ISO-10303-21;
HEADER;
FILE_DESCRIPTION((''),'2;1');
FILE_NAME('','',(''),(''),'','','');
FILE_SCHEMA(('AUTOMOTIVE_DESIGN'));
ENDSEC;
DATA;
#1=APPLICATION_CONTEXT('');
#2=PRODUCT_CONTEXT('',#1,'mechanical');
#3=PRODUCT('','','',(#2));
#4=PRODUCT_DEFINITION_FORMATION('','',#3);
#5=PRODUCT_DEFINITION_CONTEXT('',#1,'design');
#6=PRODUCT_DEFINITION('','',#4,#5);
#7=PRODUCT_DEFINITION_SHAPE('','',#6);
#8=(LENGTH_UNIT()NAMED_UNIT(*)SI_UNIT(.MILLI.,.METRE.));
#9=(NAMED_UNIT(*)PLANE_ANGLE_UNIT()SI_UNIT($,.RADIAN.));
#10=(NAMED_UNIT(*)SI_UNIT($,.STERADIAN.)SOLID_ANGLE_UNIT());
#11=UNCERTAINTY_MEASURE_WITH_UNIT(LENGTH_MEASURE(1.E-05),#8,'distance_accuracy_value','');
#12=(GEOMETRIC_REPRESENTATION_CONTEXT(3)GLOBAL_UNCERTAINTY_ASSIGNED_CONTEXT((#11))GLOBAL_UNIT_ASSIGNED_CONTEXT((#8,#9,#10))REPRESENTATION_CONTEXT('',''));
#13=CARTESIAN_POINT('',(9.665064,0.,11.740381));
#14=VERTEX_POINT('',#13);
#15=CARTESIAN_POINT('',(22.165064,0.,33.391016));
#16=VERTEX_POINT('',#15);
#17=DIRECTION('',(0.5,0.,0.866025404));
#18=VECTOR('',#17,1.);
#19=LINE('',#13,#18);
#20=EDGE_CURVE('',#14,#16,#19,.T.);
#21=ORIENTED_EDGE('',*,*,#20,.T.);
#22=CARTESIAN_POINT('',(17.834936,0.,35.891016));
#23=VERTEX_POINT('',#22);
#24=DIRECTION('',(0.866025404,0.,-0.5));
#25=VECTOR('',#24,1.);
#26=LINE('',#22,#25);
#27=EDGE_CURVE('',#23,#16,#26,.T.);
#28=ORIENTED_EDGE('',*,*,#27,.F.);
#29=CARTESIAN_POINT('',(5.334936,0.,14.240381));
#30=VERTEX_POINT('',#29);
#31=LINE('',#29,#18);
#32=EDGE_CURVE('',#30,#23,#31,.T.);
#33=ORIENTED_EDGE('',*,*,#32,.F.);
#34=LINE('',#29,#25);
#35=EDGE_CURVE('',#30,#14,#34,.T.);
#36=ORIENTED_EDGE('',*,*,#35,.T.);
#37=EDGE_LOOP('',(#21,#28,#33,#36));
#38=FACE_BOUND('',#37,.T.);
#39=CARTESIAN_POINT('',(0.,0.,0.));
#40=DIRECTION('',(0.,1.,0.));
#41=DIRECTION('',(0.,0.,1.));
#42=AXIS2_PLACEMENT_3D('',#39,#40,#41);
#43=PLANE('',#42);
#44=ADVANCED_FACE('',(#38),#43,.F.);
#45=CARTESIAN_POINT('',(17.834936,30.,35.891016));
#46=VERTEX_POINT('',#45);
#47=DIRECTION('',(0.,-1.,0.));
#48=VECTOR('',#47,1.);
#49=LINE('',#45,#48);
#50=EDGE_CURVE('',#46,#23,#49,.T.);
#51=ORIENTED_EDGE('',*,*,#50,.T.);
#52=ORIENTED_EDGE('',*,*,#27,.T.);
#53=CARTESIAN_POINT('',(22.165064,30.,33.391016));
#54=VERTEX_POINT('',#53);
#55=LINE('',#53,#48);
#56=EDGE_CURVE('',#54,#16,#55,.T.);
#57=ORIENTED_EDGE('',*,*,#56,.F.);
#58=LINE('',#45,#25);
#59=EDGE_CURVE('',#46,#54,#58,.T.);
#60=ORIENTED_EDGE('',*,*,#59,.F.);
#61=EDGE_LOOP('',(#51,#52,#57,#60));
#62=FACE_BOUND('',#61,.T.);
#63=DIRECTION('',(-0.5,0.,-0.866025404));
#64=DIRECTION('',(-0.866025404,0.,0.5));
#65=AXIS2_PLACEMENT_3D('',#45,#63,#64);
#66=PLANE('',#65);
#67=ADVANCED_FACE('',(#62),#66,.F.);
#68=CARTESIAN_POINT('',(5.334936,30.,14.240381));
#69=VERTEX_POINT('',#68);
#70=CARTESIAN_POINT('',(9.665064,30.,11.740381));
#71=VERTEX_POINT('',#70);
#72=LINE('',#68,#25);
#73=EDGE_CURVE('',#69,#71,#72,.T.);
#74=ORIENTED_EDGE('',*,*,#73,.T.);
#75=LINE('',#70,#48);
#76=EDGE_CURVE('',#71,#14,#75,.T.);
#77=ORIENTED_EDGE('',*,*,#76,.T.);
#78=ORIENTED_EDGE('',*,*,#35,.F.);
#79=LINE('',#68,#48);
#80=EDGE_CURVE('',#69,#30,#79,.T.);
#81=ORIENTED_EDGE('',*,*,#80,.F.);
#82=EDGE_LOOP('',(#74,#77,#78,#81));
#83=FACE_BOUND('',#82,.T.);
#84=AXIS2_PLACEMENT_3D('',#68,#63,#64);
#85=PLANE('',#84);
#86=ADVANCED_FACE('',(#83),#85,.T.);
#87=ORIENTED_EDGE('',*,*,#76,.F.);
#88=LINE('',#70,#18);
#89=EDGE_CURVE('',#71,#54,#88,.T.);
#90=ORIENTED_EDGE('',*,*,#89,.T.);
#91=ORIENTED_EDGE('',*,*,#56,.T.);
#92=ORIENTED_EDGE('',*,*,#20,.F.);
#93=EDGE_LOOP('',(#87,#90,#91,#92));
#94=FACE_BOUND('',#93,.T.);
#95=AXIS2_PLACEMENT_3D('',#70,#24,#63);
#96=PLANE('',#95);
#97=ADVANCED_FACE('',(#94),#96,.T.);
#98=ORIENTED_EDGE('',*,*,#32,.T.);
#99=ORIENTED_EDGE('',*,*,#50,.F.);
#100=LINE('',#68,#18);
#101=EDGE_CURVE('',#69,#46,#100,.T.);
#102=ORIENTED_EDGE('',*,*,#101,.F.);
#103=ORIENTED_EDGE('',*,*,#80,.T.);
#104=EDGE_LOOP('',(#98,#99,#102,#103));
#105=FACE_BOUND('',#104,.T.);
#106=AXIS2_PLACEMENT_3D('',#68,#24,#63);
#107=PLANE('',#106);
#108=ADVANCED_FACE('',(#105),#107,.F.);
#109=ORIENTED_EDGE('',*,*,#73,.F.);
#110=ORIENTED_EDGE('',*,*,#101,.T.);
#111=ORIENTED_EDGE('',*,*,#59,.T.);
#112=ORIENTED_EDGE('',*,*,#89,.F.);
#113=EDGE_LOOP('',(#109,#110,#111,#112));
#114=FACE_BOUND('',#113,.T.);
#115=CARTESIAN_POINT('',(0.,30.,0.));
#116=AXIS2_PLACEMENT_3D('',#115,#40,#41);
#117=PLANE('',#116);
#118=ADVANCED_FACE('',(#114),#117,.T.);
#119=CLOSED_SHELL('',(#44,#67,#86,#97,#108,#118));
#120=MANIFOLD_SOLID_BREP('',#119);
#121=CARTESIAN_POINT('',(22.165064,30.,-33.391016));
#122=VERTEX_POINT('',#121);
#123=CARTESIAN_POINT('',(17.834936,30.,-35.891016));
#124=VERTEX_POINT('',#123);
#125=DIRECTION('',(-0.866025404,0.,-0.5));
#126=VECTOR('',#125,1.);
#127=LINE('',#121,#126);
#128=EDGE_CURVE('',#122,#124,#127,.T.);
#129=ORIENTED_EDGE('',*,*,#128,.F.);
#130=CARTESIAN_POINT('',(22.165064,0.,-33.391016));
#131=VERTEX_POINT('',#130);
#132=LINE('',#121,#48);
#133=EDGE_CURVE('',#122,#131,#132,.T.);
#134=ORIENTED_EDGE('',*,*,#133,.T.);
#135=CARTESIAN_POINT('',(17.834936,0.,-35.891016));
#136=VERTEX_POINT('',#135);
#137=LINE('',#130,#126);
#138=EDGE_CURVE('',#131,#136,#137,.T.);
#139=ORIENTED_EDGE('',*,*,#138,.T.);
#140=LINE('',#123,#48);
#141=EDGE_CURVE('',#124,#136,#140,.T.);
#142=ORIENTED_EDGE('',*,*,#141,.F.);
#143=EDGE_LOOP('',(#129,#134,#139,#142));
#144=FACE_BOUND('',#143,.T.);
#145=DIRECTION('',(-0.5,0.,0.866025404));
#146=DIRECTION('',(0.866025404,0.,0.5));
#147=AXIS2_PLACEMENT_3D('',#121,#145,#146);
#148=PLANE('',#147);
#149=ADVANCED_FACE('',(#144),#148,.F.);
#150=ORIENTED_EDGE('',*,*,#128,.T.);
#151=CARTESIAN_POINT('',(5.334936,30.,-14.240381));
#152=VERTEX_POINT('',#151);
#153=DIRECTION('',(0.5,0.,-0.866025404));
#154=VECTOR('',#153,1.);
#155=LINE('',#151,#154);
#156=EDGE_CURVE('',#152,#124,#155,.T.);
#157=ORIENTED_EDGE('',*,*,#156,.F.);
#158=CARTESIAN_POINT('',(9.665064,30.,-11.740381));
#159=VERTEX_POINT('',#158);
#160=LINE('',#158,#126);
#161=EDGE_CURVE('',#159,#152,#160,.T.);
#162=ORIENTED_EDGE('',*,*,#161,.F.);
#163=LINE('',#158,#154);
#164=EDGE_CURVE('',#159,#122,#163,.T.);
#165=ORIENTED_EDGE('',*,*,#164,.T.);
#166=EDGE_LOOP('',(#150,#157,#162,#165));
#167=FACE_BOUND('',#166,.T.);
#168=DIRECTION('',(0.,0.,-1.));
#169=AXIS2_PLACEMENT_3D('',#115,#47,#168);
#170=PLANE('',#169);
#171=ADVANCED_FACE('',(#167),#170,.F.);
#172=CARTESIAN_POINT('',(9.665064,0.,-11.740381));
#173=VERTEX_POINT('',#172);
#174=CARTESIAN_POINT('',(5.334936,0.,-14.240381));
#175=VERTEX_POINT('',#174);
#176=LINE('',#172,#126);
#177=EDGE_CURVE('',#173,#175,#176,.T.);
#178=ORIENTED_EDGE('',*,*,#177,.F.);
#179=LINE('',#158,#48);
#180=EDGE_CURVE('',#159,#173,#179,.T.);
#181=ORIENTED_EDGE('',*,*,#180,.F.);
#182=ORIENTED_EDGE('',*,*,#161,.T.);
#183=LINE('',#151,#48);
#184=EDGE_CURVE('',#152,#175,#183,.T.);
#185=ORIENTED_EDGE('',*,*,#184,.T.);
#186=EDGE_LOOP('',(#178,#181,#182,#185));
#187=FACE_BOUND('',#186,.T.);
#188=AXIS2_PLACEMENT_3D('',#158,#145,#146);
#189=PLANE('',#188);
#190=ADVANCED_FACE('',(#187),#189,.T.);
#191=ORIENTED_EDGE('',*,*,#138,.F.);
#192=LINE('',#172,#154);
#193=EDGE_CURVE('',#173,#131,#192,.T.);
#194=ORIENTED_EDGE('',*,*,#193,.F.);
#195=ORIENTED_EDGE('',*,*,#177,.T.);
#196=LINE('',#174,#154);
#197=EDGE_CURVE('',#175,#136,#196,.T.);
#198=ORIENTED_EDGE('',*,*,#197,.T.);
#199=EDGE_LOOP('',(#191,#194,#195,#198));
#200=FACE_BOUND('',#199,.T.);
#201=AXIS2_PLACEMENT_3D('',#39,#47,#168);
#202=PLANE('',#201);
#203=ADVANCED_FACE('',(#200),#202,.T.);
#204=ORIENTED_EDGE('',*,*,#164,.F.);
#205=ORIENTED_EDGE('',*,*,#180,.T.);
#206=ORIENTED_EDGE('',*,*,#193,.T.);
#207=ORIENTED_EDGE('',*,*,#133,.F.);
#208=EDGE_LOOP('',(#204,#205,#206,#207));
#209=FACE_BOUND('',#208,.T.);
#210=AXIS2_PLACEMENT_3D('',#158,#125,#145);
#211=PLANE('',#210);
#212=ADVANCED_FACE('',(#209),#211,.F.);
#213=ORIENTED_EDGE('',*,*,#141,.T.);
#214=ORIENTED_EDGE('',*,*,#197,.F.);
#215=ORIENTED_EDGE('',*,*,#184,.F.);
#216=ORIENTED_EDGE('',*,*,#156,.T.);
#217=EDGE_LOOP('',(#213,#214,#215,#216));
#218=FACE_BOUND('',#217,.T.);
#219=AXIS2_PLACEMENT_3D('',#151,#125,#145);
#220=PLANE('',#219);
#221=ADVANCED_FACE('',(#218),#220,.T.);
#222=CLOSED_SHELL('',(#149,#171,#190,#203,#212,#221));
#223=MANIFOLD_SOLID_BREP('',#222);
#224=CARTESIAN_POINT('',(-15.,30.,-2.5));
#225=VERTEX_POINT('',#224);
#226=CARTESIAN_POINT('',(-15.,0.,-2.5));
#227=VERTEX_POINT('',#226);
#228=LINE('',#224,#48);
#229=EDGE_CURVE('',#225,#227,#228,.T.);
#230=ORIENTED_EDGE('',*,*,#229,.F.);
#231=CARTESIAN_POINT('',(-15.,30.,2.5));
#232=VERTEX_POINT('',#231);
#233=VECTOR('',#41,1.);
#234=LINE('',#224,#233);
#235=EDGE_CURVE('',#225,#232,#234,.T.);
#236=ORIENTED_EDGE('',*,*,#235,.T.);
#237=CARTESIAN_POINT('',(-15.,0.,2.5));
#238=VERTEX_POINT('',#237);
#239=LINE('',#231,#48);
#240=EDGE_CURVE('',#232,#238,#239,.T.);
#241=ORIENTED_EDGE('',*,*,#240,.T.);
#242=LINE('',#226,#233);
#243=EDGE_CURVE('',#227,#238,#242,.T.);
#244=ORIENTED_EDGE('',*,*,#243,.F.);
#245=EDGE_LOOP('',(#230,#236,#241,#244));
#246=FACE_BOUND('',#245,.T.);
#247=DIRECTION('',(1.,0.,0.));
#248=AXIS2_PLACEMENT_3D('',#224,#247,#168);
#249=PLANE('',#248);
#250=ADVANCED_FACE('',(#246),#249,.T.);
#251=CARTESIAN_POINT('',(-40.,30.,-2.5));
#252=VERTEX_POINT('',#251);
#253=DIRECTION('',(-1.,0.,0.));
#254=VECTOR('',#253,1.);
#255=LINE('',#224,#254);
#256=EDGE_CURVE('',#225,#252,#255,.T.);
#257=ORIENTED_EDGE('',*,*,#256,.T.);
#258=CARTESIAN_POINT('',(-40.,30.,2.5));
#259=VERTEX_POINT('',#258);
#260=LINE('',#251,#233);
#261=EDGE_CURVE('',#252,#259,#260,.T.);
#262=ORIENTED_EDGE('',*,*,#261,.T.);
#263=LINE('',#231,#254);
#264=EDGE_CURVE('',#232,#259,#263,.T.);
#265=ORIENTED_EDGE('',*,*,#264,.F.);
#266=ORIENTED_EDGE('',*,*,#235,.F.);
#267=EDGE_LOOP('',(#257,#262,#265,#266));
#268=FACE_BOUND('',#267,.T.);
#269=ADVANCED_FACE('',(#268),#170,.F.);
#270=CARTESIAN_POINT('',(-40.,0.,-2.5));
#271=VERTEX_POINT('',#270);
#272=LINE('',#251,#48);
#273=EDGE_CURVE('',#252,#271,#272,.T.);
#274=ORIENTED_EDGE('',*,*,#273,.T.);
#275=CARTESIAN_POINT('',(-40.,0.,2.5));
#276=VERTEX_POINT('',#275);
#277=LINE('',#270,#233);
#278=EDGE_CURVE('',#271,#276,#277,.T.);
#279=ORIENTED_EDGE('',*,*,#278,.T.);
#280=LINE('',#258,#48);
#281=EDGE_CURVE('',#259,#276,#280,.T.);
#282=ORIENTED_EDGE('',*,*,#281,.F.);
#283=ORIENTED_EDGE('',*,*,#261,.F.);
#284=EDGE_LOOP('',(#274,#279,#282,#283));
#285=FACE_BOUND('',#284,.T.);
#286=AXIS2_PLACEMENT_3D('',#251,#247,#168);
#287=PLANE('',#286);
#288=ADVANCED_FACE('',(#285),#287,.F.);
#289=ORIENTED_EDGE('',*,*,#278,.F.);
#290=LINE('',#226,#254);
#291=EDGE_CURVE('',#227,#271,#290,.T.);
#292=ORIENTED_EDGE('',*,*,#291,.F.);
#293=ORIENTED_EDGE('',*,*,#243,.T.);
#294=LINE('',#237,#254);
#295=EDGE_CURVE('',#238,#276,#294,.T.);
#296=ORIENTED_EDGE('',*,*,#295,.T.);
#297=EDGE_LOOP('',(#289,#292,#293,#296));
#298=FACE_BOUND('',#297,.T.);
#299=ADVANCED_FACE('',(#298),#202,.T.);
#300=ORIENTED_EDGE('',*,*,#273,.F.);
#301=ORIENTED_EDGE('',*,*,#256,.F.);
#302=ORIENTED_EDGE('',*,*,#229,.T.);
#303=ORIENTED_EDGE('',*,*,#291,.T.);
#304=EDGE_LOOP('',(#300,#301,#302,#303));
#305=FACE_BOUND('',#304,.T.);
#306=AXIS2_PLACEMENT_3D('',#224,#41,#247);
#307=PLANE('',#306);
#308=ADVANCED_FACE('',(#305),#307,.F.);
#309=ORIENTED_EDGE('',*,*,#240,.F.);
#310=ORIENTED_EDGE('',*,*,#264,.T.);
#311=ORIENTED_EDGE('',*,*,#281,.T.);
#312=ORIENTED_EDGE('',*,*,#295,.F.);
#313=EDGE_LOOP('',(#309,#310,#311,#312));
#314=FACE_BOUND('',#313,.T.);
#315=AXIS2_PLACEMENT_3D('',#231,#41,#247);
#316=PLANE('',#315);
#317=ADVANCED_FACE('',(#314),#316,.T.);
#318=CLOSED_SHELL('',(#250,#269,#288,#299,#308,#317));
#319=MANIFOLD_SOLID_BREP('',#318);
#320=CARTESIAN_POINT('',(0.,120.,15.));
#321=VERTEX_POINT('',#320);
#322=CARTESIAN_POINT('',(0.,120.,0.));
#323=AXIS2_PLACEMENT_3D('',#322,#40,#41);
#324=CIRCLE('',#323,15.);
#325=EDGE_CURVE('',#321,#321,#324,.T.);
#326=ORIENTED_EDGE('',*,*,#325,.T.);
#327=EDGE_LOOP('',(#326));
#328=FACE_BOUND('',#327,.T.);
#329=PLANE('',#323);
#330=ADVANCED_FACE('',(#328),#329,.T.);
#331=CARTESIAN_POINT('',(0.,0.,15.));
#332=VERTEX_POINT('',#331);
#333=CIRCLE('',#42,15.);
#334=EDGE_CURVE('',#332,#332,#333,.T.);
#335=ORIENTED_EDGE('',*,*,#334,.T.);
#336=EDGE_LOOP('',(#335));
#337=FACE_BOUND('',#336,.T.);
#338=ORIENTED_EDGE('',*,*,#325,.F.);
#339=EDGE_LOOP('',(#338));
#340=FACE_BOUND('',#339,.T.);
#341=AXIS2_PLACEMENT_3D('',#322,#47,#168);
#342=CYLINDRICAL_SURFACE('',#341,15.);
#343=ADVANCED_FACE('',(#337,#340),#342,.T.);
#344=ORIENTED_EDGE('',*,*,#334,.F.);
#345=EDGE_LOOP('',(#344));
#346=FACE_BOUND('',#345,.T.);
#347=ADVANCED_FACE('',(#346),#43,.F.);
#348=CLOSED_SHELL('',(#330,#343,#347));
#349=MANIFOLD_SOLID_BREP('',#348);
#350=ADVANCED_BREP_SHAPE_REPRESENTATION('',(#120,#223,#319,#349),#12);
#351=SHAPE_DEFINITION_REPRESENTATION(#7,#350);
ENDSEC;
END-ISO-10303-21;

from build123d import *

# Parameters (mm, degrees)
CROQUIS3_R              = 15
SALIENTE_EXTRUIR1_DEPTH = 120
SALIENTE_EXTRUIR2_DEPTH = 30
CROQUIS3_4_W            = 25
CROQUIS3_4_H            = 5
SALIENTE_EXTRUIR3_DEPTH = 30
SALIENTE_EXTRUIR4_DEPTH = 30


with BuildPart() as part:
    # Croquis3 → Saliente-Extruir1 (new body)
    with BuildSketch(Plane(origin=(0, 0, 0), x_dir=(1, 0, 0), z_dir=(0, 1, 0))):
        Circle(CROQUIS3_R)
    extrude(amount=SALIENTE_EXTRUIR1_DEPTH)


with BuildPart() as body_2:
    # Croquis3<3> → Saliente-Extruir2 (new body)
    with BuildSketch(Plane(origin=(0, 0, 0), x_dir=(1, 0, 0), z_dir=(0, 1, 0))):
        Polygon((5.334936491, -14.240381057), (17.834936491, -35.891016151), (22.165063509, -33.391016151), (9.665063509, -11.740381057), align=None)
    extrude(amount=SALIENTE_EXTRUIR2_DEPTH)


with BuildPart() as body_3:
    # Croquis3<4> → Saliente-Extruir3 (new body)
    with BuildSketch(Plane(origin=(0, 0, 0), x_dir=(1, 0, 0), z_dir=(0, 1, 0))):
        with Locations((-27.5, 0)):
            Rectangle(CROQUIS3_4_W, CROQUIS3_4_H)
    extrude(amount=SALIENTE_EXTRUIR3_DEPTH)


with BuildPart() as body_4:
    # Croquis3<5> → Saliente-Extruir4 (new body)
    with BuildSketch(Plane(origin=(0, 0, 0), x_dir=(1, 0, 0), z_dir=(0, 1, 0))):
        Polygon((9.665063509, 11.740381057), (22.165063509, 33.391016151), (17.834936491, 35.891016151), (5.334936491, 14.240381057), align=None)
    extrude(amount=SALIENTE_EXTRUIR4_DEPTH)


solid = Compound([part.part, body_2.part, body_3.part, body_4.part])
